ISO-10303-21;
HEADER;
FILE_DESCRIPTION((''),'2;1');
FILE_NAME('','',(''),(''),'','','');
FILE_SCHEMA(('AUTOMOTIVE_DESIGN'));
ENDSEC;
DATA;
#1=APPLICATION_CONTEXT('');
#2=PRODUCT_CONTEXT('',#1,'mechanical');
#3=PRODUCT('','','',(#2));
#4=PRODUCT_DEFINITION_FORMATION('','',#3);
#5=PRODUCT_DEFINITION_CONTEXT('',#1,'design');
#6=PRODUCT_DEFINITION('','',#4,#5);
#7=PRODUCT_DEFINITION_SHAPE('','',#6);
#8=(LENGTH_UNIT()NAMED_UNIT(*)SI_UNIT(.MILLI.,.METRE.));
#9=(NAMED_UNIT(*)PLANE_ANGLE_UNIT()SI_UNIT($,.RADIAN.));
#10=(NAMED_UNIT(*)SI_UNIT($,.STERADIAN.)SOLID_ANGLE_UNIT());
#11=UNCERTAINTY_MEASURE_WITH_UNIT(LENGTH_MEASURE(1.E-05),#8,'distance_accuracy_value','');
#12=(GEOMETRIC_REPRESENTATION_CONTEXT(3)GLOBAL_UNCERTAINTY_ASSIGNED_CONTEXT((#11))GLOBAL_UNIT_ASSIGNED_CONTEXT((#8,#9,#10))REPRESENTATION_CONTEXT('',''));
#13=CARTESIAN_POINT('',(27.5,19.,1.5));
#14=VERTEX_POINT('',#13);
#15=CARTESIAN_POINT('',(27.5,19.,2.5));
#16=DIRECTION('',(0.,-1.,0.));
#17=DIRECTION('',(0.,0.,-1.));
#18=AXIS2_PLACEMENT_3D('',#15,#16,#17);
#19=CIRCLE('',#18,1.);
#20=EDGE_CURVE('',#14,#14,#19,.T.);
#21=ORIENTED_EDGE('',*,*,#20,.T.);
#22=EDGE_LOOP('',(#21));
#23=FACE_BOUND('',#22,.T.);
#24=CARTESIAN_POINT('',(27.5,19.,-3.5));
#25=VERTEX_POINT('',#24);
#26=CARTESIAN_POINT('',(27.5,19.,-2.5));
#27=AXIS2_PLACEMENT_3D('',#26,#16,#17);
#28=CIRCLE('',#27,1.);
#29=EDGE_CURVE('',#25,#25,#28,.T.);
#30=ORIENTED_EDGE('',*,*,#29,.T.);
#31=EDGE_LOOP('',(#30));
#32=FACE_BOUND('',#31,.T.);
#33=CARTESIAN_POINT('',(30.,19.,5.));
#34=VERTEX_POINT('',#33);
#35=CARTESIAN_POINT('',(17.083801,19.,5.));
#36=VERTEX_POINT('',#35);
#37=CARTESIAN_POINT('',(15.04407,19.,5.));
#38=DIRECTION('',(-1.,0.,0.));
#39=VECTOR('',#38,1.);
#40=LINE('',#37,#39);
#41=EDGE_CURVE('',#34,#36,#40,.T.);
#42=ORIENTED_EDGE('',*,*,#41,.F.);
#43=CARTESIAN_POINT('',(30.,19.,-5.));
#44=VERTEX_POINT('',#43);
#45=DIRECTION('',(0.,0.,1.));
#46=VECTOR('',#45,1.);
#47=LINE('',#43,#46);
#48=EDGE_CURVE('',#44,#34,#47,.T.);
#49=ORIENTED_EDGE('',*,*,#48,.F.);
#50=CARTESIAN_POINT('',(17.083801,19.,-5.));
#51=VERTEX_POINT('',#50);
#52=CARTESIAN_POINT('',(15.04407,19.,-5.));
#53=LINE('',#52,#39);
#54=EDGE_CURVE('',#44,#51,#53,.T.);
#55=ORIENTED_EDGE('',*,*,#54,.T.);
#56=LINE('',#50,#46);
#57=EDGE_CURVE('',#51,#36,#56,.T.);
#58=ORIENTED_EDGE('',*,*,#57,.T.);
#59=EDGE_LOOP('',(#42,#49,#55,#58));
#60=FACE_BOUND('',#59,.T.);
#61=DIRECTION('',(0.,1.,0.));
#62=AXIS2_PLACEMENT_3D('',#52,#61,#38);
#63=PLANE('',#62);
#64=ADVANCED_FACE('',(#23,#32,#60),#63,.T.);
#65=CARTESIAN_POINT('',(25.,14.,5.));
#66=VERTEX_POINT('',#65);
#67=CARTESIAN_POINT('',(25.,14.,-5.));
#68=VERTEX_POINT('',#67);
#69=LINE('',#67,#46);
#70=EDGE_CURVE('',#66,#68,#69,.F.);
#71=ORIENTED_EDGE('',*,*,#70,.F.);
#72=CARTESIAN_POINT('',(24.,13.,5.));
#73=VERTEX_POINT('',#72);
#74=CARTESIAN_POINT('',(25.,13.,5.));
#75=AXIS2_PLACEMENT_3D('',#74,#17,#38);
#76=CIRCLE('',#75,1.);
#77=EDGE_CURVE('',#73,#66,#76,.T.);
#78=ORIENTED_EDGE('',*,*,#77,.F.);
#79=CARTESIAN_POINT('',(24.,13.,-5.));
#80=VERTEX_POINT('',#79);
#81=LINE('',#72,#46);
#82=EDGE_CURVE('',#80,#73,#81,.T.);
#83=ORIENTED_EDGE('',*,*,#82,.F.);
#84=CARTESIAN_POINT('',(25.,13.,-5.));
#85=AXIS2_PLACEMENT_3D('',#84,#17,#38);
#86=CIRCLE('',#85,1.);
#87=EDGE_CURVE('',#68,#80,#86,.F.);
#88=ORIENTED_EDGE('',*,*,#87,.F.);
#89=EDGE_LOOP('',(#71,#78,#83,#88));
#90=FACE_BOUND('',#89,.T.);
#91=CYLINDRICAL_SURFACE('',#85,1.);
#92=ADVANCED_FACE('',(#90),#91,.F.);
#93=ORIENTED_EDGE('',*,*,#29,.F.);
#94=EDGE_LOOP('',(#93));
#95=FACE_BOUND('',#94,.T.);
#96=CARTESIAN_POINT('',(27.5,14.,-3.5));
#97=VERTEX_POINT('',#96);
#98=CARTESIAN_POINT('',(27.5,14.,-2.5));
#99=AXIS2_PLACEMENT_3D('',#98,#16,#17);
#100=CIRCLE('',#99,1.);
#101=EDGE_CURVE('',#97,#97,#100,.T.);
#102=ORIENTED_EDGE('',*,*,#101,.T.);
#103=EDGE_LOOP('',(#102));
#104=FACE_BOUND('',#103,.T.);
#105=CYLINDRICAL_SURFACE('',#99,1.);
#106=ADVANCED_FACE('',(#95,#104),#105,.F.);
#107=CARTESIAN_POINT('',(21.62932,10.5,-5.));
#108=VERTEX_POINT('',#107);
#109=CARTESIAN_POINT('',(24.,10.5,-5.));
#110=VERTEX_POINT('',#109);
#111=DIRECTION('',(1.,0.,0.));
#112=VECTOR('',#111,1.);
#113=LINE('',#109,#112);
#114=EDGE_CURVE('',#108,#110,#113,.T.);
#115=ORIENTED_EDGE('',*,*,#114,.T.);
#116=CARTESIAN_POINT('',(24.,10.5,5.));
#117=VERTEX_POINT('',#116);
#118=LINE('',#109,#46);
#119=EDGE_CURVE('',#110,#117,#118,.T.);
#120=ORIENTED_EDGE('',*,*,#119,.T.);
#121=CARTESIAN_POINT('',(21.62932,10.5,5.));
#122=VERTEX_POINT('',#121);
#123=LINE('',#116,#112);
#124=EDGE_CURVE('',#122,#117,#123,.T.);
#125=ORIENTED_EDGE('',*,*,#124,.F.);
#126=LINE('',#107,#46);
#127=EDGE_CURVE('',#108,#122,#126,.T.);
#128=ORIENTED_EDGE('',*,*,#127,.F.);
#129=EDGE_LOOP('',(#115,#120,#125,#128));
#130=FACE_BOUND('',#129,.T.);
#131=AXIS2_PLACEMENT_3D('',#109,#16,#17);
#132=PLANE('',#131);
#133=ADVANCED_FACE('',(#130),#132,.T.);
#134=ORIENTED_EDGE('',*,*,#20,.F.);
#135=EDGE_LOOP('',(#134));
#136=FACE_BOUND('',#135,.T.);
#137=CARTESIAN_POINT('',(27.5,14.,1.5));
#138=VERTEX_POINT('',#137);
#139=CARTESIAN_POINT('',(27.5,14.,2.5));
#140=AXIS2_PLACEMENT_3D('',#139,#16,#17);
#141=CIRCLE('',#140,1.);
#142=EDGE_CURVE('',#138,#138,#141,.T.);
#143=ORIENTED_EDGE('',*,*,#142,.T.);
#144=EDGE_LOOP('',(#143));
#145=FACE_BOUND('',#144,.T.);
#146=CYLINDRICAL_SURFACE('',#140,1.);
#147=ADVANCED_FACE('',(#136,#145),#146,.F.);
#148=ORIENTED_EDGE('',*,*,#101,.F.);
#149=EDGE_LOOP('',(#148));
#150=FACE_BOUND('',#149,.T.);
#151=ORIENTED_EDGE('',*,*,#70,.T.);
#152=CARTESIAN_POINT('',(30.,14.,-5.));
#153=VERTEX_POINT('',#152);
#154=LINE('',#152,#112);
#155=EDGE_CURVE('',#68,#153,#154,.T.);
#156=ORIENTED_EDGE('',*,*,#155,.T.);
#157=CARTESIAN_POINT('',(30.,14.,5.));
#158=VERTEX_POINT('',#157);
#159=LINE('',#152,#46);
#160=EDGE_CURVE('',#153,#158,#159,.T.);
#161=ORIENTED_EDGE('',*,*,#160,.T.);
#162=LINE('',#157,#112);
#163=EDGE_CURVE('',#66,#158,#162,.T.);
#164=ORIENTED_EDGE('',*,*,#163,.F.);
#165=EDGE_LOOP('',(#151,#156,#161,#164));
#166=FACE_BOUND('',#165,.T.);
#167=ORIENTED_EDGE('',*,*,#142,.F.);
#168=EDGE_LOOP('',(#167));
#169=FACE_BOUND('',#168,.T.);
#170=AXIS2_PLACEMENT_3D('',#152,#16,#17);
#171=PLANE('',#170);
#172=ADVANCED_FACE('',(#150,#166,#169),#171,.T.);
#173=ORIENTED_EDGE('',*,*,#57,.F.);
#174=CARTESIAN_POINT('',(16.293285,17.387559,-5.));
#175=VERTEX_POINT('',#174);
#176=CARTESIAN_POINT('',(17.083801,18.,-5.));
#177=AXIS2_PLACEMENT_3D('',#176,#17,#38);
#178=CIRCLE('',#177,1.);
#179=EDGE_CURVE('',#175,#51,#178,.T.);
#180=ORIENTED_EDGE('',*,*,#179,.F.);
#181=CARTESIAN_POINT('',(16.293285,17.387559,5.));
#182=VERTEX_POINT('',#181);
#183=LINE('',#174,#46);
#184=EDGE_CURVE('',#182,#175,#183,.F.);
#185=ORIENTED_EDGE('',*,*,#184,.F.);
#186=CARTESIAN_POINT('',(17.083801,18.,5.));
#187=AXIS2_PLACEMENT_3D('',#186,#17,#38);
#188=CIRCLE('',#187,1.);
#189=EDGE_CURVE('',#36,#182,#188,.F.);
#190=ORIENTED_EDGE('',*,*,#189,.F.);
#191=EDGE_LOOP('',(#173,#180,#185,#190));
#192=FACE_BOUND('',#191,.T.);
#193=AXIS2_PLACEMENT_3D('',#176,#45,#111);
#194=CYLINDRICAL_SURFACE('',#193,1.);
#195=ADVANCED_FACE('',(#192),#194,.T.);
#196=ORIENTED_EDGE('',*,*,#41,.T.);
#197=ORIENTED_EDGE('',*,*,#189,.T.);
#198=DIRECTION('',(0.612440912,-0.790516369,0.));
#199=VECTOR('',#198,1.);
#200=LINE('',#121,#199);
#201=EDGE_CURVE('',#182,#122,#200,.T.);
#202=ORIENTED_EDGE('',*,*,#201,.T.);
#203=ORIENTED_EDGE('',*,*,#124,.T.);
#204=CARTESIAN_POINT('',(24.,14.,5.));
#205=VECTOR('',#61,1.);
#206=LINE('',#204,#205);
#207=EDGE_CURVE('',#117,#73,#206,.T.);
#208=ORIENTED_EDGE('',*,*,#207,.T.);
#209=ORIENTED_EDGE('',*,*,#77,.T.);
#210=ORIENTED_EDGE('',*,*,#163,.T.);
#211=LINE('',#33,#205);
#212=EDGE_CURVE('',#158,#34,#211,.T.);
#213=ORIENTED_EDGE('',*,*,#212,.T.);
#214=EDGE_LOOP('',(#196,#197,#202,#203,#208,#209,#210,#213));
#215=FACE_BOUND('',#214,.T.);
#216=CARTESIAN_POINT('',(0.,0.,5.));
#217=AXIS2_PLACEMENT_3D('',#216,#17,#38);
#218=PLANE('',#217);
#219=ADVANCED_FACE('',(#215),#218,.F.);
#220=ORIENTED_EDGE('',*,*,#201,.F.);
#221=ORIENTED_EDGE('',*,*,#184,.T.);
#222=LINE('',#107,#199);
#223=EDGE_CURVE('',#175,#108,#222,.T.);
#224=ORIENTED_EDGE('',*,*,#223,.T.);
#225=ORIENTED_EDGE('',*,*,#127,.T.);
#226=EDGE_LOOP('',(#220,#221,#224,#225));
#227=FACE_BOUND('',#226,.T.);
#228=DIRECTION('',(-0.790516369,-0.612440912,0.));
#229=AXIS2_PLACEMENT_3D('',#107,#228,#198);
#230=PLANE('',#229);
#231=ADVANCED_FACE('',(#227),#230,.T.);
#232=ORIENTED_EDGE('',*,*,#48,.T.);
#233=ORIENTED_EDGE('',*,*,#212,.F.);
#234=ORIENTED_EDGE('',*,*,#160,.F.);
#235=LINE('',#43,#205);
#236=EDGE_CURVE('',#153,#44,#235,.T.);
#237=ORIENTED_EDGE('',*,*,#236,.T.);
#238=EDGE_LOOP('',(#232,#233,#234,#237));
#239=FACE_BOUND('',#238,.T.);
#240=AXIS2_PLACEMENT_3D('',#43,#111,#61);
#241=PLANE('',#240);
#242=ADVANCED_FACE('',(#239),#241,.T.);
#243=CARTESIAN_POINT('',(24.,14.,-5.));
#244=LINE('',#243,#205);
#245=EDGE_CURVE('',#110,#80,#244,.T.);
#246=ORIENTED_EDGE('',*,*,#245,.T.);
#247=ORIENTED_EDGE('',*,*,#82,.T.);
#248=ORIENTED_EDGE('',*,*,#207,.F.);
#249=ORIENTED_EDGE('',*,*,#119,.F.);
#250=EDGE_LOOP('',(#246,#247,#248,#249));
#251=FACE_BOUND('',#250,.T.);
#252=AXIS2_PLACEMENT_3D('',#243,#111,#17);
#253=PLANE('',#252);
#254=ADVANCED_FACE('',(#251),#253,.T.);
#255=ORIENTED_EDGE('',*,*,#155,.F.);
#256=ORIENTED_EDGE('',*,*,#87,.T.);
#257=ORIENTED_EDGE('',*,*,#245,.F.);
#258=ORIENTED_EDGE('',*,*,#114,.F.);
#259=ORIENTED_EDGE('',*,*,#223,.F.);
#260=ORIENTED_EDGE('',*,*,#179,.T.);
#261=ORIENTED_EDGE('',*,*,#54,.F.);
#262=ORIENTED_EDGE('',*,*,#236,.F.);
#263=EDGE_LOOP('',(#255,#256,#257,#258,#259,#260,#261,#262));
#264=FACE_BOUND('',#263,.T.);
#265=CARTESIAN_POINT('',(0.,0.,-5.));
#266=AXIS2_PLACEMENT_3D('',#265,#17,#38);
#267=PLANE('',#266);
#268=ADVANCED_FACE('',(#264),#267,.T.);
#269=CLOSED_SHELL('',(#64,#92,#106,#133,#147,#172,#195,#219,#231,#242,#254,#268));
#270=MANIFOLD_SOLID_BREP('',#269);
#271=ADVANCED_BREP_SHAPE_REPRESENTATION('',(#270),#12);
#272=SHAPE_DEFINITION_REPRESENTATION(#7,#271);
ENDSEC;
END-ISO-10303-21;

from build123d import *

# Parameters (mm, degrees)
EXTRUDE_1_DEPTH      = 5
EXTRUDE_1_DEPTH_BACK = 5
FILLET_1_R           = 1
MM_CLEARANCE_1_D     = 2


with BuildPart() as part:
    # 草图2 → 凸台-拉伸1 (new, two sides: drawn at the far end of the back side and taken through both)
    with BuildSketch(Plane.XY.offset(-EXTRUDE_1_DEPTH_BACK)):
        Polygon((15.044070129, 19), (30, 19), (30, 14), (24, 14), (24, 10.5), (21.629319922, 10.5), align=None)
    extrude(amount=EXTRUDE_1_DEPTH + EXTRUDE_1_DEPTH_BACK)

    # 圆角1
    fillet_1_edges = [part.edges().sort_by_distance(p)[0] for p in [
        (24, 14, 0),
        (15.044070129, 19, 0),
    ]]
    fillet(fillet_1_edges, radius=FILLET_1_R)

    # 大小mm Clearance 暗销孔1 (through all)
    with Locations(Plane(origin=(0, 14, 0), x_dir=(-1, 0, 0), z_dir=(0, -1, 0))):
        with Locations((-27.5, 2.499999967), (-27.5, -2.500000033)):
            Hole(MM_CLEARANCE_1_D / 2)


solid = part.part
